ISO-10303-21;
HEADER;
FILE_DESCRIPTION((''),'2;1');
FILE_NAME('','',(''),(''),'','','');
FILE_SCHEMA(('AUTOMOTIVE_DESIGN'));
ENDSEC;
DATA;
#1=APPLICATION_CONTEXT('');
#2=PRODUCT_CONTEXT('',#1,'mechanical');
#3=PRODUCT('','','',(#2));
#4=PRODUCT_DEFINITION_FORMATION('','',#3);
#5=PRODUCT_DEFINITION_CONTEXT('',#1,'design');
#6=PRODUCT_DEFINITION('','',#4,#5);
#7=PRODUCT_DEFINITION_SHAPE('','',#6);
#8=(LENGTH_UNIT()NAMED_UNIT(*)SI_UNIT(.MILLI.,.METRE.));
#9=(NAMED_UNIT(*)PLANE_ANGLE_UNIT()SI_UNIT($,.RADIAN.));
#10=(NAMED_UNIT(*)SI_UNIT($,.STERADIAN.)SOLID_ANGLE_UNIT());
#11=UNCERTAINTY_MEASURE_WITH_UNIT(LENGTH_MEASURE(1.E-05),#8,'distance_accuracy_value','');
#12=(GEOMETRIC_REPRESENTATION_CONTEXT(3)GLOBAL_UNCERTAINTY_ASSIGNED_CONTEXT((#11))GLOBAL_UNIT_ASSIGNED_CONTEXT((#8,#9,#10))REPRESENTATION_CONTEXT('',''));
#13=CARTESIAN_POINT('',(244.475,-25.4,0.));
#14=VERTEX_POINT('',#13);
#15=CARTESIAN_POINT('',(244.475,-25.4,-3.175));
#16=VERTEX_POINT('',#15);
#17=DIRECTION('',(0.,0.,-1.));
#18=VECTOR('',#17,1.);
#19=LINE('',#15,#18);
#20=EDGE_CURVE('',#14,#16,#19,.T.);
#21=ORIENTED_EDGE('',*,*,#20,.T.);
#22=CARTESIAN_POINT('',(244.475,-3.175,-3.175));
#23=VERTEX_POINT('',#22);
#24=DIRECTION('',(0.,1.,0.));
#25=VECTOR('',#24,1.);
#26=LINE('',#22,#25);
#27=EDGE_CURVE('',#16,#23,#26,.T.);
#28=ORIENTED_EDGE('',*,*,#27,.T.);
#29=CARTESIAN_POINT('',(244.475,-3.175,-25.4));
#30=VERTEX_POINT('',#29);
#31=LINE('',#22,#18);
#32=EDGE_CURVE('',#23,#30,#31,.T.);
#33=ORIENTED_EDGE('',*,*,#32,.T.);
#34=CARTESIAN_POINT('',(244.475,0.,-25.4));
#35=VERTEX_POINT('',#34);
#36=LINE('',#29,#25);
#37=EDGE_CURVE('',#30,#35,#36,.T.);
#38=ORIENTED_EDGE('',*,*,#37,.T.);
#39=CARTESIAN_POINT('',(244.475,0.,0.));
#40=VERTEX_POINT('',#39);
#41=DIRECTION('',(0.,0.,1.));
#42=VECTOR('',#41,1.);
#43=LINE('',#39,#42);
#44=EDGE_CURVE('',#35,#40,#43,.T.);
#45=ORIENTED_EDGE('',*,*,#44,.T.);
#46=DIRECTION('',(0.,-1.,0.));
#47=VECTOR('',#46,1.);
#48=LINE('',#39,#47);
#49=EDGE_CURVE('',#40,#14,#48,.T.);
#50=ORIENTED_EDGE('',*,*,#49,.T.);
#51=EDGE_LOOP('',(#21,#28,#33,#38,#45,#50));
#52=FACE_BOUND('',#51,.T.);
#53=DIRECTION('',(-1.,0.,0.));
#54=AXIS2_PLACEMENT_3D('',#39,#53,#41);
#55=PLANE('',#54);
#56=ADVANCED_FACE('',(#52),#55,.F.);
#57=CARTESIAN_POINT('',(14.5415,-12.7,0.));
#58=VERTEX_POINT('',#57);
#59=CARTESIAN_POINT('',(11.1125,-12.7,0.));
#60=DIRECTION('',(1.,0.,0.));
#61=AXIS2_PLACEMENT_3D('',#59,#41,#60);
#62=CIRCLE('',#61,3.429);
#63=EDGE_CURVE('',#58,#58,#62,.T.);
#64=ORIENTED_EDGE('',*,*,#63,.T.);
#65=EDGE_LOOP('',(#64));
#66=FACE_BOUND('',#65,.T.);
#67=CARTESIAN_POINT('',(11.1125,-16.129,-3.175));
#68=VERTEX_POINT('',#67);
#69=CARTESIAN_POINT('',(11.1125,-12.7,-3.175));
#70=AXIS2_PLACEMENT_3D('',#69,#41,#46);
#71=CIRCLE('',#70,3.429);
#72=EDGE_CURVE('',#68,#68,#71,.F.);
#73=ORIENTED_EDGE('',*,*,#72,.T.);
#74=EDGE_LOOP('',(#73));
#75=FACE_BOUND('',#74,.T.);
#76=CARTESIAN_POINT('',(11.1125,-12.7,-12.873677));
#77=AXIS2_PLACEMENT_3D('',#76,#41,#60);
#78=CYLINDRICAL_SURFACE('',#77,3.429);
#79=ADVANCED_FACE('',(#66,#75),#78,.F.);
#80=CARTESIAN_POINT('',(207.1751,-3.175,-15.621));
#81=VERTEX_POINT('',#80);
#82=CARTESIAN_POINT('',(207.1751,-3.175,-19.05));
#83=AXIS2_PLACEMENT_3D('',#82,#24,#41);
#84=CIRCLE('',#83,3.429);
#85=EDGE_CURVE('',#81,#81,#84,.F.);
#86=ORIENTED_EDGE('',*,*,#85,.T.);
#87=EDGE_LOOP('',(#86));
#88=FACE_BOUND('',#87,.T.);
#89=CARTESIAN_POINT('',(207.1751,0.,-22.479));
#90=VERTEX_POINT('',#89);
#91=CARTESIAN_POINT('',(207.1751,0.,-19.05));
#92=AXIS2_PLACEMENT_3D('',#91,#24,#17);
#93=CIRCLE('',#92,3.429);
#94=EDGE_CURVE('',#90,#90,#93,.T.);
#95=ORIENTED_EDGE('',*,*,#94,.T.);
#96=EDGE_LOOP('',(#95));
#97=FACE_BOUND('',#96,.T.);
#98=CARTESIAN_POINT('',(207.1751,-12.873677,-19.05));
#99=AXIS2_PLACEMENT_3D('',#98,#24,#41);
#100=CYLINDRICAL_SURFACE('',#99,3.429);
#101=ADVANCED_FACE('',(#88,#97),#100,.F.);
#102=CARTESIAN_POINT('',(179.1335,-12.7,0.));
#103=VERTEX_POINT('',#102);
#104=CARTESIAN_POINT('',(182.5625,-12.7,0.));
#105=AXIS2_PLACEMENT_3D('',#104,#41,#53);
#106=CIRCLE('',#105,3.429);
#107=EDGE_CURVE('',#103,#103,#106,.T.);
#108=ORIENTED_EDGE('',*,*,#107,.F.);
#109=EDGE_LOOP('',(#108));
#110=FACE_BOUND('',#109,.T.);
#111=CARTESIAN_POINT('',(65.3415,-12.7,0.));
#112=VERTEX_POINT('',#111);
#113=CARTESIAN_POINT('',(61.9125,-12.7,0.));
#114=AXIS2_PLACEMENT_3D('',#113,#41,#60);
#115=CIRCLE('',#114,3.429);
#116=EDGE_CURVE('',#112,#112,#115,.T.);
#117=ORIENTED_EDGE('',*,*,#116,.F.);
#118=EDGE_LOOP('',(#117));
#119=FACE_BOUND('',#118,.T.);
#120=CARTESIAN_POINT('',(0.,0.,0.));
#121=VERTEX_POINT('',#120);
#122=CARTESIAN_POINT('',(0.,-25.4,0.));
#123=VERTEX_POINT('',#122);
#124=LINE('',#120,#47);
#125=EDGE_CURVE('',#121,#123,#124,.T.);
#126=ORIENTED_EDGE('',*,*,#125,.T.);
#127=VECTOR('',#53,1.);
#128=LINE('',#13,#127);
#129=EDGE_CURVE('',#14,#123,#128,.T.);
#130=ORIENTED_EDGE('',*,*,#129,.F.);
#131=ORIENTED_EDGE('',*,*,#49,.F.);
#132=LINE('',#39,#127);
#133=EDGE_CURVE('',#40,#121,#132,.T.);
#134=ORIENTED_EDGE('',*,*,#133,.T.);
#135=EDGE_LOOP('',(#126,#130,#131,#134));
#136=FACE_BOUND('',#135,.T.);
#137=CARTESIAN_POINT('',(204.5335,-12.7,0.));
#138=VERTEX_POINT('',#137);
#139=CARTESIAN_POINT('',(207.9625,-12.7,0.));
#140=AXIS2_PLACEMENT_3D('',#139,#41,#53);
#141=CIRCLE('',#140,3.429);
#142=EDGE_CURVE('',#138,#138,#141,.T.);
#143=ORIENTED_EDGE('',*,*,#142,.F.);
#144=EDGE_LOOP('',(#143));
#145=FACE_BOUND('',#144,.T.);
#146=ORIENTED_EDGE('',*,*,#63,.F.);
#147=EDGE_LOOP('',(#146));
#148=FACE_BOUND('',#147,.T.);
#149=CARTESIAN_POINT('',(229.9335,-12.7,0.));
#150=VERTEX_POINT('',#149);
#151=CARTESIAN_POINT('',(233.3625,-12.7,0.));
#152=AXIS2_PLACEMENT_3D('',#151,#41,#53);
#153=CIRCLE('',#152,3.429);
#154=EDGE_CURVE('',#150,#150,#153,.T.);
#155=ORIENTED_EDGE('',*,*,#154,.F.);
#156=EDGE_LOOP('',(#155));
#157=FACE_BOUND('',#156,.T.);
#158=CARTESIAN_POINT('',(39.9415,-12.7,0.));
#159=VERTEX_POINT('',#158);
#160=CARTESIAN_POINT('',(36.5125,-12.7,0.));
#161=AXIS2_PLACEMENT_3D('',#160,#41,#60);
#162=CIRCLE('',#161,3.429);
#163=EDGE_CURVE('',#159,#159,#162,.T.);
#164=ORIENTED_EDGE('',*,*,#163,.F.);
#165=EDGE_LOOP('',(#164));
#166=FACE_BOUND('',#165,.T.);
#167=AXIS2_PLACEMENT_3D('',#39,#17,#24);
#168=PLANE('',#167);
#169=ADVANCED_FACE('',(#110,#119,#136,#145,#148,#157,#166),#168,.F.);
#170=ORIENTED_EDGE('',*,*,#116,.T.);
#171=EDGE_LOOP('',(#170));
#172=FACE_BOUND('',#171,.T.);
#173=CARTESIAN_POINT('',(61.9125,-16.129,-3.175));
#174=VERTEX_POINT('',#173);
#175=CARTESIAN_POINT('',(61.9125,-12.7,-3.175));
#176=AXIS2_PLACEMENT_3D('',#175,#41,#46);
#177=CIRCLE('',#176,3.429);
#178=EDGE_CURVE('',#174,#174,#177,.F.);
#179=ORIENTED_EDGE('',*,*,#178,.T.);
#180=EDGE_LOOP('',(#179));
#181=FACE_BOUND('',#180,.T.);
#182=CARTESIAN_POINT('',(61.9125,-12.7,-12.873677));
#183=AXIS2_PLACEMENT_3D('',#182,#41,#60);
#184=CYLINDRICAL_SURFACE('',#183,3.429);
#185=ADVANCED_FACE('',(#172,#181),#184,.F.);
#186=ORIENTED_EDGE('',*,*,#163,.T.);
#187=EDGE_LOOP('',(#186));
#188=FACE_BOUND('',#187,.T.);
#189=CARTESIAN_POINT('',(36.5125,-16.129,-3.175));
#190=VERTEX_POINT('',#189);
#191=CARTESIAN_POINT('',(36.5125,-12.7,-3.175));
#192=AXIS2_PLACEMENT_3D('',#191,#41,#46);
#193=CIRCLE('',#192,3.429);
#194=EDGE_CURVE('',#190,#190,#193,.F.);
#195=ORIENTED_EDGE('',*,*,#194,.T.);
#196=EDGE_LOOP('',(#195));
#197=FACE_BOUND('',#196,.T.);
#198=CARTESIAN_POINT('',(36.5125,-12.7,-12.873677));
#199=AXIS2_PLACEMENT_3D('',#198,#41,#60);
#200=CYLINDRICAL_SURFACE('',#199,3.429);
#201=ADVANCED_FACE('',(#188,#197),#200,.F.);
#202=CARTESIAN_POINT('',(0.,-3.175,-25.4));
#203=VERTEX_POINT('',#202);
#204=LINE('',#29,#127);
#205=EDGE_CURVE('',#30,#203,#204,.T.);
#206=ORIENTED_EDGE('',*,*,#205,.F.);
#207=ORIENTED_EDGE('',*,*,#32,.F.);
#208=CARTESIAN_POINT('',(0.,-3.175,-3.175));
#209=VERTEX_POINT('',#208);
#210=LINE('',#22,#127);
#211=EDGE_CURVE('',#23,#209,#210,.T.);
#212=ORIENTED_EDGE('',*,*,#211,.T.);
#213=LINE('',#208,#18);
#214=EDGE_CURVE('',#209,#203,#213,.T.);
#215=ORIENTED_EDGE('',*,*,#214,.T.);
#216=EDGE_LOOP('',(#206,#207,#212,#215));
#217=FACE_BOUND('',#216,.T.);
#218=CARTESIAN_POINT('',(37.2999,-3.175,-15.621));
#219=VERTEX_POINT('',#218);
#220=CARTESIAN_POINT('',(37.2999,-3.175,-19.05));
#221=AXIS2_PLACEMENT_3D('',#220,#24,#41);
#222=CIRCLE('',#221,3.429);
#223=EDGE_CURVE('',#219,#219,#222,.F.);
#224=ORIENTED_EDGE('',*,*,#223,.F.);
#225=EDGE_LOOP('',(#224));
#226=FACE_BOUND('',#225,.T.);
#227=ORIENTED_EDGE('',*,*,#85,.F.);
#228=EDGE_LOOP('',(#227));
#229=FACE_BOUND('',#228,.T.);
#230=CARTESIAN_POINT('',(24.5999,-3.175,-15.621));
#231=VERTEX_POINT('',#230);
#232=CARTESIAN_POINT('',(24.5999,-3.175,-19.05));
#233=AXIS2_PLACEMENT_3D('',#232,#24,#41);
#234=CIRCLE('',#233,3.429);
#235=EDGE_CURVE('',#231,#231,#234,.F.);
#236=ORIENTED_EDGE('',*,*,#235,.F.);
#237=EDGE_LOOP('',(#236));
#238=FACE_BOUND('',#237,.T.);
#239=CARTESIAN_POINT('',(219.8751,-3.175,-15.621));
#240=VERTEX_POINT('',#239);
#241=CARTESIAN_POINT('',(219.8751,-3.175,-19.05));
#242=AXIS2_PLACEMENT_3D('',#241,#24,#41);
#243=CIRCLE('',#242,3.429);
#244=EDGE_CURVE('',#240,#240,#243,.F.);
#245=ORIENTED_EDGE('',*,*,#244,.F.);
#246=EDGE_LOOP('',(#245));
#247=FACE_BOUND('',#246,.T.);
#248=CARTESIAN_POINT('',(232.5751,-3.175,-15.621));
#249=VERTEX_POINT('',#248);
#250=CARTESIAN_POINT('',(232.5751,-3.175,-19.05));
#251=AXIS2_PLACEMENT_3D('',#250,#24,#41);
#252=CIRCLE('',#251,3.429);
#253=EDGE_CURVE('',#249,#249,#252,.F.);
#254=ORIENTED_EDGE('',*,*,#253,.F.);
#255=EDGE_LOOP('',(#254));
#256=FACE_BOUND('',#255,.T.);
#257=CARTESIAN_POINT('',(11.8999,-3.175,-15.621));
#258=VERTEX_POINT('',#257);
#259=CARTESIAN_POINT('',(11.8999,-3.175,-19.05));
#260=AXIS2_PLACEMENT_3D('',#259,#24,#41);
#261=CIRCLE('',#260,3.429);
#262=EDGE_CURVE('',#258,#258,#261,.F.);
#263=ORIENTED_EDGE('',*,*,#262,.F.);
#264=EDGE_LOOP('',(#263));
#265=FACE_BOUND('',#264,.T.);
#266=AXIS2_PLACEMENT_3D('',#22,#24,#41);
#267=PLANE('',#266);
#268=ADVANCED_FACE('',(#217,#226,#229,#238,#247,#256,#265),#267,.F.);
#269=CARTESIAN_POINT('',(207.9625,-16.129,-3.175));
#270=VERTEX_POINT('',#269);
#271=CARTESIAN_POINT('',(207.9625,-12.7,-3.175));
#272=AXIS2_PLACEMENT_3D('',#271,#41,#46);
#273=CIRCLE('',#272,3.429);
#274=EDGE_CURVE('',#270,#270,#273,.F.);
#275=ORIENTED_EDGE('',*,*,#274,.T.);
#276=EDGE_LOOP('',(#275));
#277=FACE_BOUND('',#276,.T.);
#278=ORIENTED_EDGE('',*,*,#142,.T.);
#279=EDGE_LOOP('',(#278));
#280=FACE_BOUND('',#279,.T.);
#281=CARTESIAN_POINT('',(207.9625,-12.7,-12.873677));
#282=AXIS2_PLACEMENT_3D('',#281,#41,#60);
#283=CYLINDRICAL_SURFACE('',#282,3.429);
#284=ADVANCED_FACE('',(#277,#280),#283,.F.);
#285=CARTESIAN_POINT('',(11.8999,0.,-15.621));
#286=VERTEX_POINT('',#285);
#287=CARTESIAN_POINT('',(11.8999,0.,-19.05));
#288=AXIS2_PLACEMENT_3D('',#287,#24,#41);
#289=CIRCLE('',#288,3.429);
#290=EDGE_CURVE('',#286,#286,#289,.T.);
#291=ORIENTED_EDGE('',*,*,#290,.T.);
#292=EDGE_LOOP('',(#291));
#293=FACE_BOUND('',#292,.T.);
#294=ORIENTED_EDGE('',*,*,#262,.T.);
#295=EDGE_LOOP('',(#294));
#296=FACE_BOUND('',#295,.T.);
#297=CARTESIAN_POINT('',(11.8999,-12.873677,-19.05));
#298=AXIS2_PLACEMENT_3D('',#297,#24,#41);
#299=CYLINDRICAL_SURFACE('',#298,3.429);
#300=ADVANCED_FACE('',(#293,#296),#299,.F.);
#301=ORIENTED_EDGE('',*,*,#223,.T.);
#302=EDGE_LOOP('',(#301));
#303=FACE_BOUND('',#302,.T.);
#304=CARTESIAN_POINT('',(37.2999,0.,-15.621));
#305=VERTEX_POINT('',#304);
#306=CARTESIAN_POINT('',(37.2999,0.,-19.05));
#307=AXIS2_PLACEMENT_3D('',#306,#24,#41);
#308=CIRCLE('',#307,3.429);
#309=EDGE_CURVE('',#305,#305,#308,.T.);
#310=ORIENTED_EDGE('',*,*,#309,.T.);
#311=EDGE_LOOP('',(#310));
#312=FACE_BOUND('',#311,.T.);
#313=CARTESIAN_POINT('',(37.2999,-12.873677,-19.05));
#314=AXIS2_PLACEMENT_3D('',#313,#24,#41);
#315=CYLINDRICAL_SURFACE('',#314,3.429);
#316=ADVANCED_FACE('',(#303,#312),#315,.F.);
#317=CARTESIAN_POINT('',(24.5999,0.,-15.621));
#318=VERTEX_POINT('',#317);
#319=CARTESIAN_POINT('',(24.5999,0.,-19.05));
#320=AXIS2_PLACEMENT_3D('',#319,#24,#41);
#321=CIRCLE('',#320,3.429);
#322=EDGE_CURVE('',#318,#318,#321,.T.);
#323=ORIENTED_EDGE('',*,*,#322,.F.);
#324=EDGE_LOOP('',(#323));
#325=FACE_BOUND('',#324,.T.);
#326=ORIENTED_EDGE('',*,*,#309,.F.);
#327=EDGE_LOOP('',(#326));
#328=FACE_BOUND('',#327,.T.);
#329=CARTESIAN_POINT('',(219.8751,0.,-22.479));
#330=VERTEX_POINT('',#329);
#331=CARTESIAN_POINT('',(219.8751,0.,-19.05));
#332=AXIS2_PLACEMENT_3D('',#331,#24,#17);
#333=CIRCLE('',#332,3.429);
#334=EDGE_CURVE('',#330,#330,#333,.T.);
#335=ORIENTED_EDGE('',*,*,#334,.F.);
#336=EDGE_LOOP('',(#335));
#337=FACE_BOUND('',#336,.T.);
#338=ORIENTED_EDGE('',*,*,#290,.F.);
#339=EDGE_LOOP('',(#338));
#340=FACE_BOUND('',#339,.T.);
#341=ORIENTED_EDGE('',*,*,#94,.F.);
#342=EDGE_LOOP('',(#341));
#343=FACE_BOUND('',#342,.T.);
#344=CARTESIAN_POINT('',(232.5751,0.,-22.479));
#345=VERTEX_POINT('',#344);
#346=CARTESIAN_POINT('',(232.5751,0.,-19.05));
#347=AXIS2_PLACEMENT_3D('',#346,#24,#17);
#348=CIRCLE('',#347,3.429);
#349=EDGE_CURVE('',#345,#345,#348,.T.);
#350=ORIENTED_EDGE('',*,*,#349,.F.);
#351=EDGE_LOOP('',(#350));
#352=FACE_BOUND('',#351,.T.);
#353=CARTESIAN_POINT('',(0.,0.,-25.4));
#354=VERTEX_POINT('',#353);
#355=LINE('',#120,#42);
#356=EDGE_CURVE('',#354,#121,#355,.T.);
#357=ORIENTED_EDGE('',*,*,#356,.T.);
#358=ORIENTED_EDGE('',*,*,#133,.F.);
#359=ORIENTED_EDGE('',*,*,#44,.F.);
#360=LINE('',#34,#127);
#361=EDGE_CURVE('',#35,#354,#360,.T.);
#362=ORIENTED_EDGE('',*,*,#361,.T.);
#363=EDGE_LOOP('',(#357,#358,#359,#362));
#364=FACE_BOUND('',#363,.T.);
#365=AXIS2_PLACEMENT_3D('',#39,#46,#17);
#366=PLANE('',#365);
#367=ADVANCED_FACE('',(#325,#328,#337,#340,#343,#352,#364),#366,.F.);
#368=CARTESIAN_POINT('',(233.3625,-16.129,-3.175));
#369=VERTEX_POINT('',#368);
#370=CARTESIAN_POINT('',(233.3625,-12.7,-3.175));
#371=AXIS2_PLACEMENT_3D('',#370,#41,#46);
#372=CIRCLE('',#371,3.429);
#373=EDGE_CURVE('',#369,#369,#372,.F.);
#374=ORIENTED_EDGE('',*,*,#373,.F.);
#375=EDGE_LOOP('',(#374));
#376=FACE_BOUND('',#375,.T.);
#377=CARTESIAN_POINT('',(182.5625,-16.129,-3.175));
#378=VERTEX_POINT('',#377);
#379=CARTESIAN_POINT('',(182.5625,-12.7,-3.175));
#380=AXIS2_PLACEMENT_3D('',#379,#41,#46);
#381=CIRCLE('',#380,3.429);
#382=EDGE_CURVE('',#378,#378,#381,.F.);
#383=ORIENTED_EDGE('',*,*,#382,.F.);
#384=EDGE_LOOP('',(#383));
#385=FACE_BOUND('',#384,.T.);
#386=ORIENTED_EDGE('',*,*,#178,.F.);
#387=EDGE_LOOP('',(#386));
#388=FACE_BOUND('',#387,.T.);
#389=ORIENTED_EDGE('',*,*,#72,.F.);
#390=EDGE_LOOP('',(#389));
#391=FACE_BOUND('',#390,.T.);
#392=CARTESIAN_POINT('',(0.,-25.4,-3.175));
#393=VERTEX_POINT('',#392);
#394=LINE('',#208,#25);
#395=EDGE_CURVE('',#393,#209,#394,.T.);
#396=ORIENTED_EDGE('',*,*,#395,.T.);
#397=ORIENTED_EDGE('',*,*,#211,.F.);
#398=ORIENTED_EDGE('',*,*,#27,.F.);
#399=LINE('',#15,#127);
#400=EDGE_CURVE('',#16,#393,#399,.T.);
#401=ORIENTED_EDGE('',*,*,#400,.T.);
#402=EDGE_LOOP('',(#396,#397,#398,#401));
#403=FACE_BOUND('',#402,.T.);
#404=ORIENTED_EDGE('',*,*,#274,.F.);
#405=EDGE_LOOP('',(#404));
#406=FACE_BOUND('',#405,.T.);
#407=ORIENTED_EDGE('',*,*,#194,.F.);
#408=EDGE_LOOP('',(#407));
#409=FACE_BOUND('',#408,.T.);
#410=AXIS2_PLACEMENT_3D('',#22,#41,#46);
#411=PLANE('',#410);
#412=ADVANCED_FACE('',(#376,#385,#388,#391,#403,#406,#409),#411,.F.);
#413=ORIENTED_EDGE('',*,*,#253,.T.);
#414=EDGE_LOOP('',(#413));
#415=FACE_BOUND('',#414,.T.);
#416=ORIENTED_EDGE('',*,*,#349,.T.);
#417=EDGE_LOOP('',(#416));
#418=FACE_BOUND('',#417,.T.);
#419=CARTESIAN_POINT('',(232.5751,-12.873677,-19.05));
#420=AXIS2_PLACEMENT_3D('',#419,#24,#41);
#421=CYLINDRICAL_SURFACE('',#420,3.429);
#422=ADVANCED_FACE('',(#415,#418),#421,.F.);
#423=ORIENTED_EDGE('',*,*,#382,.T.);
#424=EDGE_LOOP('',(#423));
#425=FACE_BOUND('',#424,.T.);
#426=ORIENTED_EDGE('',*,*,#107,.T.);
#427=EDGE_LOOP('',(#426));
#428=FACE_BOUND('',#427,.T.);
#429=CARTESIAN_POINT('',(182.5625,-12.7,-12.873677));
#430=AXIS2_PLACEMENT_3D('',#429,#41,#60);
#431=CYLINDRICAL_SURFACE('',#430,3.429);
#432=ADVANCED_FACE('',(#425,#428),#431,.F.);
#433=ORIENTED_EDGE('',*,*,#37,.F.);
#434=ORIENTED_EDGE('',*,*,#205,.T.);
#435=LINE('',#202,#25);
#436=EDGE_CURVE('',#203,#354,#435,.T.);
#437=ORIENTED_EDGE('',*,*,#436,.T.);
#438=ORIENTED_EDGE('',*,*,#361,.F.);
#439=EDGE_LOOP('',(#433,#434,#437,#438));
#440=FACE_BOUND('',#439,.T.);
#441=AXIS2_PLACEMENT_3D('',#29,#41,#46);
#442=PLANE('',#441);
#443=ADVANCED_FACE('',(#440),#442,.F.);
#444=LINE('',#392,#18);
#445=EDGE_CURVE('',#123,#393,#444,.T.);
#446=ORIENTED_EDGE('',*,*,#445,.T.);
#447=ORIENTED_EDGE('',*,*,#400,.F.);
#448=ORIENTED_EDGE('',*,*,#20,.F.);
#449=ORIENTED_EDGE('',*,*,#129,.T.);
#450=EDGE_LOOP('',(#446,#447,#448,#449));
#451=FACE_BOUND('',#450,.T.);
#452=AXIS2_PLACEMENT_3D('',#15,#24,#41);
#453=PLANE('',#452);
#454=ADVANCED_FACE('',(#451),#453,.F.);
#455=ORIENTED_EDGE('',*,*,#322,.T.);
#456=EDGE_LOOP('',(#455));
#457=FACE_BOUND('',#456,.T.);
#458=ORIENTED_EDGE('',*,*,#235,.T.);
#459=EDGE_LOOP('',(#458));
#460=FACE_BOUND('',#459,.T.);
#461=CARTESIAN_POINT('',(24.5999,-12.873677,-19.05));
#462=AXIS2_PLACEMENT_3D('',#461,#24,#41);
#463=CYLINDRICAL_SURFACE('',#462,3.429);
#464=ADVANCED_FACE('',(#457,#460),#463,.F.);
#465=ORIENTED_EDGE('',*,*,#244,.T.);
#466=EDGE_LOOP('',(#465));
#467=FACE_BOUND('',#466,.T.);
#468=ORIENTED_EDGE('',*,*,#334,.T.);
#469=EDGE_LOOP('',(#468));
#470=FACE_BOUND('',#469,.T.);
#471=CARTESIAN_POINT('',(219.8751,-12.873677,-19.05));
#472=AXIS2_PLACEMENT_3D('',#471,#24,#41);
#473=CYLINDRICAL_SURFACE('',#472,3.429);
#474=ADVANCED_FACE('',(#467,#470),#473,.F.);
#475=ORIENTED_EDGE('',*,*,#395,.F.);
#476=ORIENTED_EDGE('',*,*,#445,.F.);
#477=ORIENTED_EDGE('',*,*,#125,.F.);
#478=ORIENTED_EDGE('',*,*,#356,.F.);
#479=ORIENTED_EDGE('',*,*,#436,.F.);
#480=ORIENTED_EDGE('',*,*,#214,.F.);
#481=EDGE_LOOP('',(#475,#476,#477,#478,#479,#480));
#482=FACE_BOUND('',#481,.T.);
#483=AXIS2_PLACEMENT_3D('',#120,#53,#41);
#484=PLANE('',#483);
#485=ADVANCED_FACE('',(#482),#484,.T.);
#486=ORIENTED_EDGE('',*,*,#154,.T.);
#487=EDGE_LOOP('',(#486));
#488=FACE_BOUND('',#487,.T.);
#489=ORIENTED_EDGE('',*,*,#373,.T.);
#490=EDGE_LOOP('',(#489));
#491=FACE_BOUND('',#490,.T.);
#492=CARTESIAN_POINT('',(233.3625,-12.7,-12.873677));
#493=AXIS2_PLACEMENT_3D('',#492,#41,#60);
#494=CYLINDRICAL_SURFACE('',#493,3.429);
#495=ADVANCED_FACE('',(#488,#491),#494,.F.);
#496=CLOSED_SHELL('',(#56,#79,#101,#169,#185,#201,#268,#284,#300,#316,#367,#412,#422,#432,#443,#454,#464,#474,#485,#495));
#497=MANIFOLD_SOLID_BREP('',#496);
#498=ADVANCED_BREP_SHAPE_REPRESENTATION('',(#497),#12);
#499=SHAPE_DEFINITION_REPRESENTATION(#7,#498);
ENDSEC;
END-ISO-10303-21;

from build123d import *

# Parameters (mm, degrees)
BOSS_EXTRUDE1_DEPTH = 244.475
SKETCH2_R           = 3.429
CUT_EXTRUDE1_DEPTH  = 3.175
SKETCH3_R           = 3.429
CUT_EXTRUDE2_DEPTH  = 3.175


with BuildPart() as part:
    # Sketch1 → Boss-Extrude1 (new body)
    with BuildSketch(Plane(origin=(0, 0, 0), x_dir=(0, 0, -1), z_dir=(1, 0, 0))):
        Polygon((0, 0), (25.4, 0), (25.4, -3.175), (3.175, -3.175), (3.175, -25.4), (0, -25.4), align=None)
    extrude(amount=BOSS_EXTRUDE1_DEPTH)

    # Sketch2 → Cut-Extrude1 (cut)
    with BuildSketch(Plane.XY):
        with Locations((11.1125, -12.7)):
            Circle(SKETCH2_R)
        with Locations((36.5125, -12.7)):
            Circle(SKETCH2_R)
        with Locations((61.9125, -12.7)):
            Circle(SKETCH2_R)
        with Locations((182.5625, -12.7)):
            Circle(SKETCH2_R)
        with Locations((207.9625, -12.7)):
            Circle(SKETCH2_R)
        with Locations((233.3625, -12.7)):
            Circle(SKETCH2_R)
    extrude(amount=-CUT_EXTRUDE1_DEPTH, mode=Mode.SUBTRACT)

    # Sketch3 → Cut-Extrude2 (cut)
    with BuildSketch(Plane(origin=(0, 0, 0), x_dir=(1, 0, 0), z_dir=(0, 1, 0))):
        with Locations((11.8999, 19.05)):
            Circle(SKETCH3_R)
        with Locations((24.5999, 19.05)):
            Circle(SKETCH3_R)
        with Locations((37.2999, 19.05)):
            Circle(SKETCH3_R)
        with Locations((207.1751, 19.05)):
            Circle(SKETCH3_R)
        with Locations((219.8751, 19.05)):
            Circle(SKETCH3_R)
        with Locations((232.5751, 19.05)):
            Circle(SKETCH3_R)
    extrude(amount=-CUT_EXTRUDE2_DEPTH, mode=Mode.SUBTRACT)


solid = part.part
